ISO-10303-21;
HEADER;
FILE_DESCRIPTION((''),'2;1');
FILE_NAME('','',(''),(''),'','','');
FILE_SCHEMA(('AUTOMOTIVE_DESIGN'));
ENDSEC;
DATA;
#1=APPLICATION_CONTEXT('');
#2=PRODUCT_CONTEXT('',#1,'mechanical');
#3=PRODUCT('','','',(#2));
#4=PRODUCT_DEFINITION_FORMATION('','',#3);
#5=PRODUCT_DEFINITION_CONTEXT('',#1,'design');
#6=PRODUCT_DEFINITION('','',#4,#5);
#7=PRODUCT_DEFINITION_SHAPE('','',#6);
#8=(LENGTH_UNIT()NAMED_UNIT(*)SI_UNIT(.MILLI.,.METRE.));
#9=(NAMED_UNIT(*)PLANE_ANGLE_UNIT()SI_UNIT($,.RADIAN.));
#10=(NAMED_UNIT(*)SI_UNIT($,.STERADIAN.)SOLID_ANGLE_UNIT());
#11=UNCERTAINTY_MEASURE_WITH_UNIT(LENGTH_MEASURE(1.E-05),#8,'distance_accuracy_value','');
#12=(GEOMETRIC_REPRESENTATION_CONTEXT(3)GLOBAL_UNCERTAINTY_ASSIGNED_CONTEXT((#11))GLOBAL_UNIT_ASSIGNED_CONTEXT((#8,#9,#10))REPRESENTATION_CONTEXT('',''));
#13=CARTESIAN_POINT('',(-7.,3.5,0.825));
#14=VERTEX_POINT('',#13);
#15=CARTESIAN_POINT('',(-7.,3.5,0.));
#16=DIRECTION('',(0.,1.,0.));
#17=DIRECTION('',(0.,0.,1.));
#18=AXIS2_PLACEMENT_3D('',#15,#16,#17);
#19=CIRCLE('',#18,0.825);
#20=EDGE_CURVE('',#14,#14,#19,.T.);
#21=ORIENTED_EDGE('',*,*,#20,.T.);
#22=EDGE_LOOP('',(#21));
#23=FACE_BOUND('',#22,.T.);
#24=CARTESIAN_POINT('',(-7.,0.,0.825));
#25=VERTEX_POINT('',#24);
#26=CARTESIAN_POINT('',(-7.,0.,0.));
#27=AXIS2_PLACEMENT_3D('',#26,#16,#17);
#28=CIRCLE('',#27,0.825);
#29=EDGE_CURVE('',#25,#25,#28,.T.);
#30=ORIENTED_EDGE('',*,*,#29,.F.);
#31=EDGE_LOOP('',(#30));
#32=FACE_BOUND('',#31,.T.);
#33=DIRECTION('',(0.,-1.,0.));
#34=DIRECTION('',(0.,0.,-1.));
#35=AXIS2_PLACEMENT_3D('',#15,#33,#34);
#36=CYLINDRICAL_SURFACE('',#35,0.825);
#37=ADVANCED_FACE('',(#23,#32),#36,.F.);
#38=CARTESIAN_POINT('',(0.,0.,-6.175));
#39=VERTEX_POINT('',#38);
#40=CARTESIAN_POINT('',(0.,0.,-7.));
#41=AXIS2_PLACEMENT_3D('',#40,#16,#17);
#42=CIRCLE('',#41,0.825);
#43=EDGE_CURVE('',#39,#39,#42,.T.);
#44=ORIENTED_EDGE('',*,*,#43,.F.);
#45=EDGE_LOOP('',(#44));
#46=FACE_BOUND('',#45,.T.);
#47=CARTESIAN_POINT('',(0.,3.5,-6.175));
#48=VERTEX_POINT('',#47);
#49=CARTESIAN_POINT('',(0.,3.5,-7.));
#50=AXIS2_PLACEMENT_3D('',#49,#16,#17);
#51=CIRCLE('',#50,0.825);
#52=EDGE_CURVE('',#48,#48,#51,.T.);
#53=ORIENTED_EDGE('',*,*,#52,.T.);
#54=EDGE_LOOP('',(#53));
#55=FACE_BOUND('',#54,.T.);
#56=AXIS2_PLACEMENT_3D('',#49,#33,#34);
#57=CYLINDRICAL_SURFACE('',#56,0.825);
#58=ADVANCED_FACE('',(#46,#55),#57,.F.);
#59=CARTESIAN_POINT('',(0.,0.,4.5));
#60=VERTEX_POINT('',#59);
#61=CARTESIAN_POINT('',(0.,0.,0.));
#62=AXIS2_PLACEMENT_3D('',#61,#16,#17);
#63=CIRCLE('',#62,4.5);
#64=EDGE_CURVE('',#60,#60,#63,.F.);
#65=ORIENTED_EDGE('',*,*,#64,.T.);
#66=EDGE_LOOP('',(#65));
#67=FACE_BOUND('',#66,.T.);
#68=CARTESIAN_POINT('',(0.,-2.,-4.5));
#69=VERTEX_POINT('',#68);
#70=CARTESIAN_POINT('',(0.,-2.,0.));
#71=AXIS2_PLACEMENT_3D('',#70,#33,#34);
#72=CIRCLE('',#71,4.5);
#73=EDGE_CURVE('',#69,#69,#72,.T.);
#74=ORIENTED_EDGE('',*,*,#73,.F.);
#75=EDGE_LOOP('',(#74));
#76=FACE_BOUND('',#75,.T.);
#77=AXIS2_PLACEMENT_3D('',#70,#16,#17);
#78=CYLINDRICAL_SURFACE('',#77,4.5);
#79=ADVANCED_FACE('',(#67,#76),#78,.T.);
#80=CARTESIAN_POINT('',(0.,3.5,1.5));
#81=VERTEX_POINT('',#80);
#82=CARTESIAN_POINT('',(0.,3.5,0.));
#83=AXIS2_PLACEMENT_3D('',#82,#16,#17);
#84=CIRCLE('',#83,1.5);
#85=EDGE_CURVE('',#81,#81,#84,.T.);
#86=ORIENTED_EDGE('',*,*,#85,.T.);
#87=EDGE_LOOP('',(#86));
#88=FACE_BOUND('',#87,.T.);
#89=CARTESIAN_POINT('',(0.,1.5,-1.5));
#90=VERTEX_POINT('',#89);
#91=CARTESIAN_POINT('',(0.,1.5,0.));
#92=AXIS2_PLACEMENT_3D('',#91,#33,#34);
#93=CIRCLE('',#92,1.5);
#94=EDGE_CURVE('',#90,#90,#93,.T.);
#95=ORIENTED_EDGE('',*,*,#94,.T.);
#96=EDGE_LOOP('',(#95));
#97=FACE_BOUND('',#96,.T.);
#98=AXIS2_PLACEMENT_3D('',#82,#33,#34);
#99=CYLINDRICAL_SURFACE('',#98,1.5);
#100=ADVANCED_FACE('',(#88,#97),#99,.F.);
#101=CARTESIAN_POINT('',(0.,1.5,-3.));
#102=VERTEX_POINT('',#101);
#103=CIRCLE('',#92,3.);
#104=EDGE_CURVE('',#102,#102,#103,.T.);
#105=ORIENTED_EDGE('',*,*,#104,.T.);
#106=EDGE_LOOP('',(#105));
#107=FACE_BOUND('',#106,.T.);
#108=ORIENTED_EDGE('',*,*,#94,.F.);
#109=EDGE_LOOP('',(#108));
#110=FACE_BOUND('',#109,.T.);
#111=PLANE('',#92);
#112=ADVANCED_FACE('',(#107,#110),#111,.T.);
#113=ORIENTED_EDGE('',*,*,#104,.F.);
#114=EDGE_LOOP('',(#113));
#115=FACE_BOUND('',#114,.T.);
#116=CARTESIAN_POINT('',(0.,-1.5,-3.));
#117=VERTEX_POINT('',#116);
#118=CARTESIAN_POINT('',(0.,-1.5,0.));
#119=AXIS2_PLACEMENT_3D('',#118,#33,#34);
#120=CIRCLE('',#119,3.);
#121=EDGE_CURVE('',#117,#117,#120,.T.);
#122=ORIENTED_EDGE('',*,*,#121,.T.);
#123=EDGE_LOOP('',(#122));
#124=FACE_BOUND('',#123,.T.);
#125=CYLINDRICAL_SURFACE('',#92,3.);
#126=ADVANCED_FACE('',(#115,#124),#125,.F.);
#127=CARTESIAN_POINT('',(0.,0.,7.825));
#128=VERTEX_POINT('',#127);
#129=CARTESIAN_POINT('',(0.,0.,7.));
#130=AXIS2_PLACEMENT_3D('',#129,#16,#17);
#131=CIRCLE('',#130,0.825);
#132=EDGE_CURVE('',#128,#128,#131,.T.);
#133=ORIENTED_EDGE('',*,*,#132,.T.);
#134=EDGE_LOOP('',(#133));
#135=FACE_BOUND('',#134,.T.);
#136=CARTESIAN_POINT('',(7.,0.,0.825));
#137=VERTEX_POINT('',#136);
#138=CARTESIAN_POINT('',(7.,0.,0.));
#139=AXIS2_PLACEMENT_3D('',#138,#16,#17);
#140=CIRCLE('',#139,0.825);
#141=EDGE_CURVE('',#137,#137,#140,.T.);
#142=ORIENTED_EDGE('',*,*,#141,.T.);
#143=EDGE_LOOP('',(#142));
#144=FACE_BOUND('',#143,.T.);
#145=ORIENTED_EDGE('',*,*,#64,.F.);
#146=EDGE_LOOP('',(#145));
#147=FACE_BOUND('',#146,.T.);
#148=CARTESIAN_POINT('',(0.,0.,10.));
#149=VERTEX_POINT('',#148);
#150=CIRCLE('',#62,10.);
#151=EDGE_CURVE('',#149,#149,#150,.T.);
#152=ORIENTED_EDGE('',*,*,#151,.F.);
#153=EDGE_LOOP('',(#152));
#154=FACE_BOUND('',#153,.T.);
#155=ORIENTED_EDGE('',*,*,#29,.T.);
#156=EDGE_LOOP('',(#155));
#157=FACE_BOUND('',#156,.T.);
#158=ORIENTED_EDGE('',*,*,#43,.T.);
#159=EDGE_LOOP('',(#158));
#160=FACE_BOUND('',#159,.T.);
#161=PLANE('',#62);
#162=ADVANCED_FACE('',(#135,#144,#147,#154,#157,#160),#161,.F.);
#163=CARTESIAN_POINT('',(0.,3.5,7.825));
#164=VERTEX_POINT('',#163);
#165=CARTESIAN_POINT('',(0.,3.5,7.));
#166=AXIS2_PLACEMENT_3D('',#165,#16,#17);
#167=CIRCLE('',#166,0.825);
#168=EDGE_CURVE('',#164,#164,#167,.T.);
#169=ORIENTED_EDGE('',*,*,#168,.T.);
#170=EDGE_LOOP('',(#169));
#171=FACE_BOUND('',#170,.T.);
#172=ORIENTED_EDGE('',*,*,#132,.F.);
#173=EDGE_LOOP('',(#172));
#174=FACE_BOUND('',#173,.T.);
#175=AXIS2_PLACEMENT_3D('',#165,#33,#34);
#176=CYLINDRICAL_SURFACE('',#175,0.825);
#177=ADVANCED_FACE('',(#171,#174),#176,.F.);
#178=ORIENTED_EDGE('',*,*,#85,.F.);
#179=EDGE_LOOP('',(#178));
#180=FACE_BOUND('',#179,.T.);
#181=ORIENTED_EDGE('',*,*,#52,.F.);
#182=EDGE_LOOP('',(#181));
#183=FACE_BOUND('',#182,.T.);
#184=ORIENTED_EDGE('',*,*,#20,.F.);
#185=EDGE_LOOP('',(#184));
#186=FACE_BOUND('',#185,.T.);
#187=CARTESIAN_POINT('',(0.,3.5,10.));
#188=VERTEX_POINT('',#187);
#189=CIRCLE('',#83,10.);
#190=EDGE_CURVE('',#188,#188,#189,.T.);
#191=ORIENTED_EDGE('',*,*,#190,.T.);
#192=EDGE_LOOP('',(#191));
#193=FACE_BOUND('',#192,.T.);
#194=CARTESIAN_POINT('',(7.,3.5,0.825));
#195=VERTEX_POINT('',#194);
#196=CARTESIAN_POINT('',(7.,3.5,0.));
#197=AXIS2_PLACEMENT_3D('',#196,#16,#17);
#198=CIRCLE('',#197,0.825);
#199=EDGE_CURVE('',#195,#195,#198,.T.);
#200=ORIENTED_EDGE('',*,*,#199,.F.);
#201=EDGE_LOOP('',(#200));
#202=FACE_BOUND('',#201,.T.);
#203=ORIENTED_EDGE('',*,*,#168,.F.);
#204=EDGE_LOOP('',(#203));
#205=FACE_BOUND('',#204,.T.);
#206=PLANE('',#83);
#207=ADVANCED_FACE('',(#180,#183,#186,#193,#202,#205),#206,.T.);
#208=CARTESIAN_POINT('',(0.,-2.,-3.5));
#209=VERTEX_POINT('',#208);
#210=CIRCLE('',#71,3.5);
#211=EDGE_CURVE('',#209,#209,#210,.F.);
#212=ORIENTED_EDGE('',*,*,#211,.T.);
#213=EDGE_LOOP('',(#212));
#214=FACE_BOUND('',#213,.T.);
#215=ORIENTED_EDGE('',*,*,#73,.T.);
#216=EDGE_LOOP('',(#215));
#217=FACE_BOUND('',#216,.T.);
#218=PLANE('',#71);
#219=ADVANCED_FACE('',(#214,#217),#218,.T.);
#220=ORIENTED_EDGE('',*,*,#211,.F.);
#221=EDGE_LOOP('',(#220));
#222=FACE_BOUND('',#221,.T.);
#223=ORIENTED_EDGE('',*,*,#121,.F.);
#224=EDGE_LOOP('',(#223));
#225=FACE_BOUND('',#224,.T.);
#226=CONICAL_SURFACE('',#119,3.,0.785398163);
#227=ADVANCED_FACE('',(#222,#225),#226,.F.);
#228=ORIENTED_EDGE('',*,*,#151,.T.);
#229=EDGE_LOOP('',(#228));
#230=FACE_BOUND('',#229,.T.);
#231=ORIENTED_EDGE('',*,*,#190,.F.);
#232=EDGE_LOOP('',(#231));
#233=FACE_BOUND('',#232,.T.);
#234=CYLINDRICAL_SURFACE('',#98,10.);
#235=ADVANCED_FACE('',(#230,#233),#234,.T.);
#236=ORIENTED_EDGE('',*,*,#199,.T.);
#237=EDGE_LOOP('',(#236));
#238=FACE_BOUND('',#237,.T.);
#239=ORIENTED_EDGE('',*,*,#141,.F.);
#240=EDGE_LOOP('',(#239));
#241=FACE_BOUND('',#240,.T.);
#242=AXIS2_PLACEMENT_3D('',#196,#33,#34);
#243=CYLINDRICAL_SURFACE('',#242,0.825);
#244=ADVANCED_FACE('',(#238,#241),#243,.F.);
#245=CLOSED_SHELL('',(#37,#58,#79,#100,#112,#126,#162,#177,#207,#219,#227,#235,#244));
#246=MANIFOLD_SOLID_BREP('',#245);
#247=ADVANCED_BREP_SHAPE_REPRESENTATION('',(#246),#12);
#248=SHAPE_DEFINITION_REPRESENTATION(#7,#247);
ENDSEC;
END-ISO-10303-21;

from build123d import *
from build123d.topology import SkipClean

# Parameters (mm, degrees)
SKETCH1_R           = 10
SKETCH1_R_2         = 1.5
SKETCH1_R_3         = 0.825
BOSS_EXTRUDE1_DEPTH = 3.5
BOSS_EXTRUDE2_START = 2
SKETCH2_R           = 4.5
SKETCH2_R_2         = 1.5
BOSS_EXTRUDE2_DEPTH = 2
SKETCH3_R           = 3
CUT_EXTRUDE1_DEPTH  = 3.5
CHAMFER1_SIZE       = 0.5


with BuildPart() as part:
    # Sketch1 → Boss-Extrude1 (new body)
    with BuildSketch(Plane(origin=(0, 0, 0), x_dir=(1, 0, 0), z_dir=(0, 1, 0))):
        with Locations(Location((0, 0, 0), (0, 0, 270))):
            Circle(SKETCH1_R)
        with Locations(Location((0, 0, 0), (0, 0, 270))):
            Circle(SKETCH1_R_2, mode=Mode.SUBTRACT)
        with Locations(Location((0, 7, 0), (0, 0, 270))):
            Circle(SKETCH1_R_3, mode=Mode.SUBTRACT)
        with Locations(Location((7, 0, 0), (0, 0, 270))):
            Circle(SKETCH1_R_3, mode=Mode.SUBTRACT)
        with Locations(Location((0, -7, 0), (0, 0, 270))):
            Circle(SKETCH1_R_3, mode=Mode.SUBTRACT)
        with Locations(Location((-7, 0, 0), (0, 0, 270))):
            Circle(SKETCH1_R_3, mode=Mode.SUBTRACT)
    extrude(amount=BOSS_EXTRUDE1_DEPTH)

    # Sketch2 → Boss-Extrude2 (add)
    with SkipClean():  # the faces are left unmerged after this step: merging them gives an invalid solid
        with BuildSketch(Plane.XZ.offset(BOSS_EXTRUDE2_START)):
            with Locations(Location((0, 0, 0), (0, 0, 90))):
                Circle(SKETCH2_R)
            with Locations(Location((0, 0, 0), (0, 0, 270))):
                Circle(SKETCH2_R_2, mode=Mode.SUBTRACT)
        extrude(amount=-BOSS_EXTRUDE2_DEPTH)

    # Sketch3 → Cut-Extrude1 (cut)
    with BuildSketch(Plane.XZ.offset(2)):
        with Locations(Location((0, 0, 0), (0, 0, 270))):
            Circle(SKETCH3_R)
    extrude(amount=-CUT_EXTRUDE1_DEPTH, mode=Mode.SUBTRACT)

    # Chamfer1
    chamfer1_edges = [part.edges().sort_by_distance(p)[0] for p in [
        (0, -2, 3),
    ]]
    chamfer(chamfer1_edges, length=CHAMFER1_SIZE)


solid = part.part
